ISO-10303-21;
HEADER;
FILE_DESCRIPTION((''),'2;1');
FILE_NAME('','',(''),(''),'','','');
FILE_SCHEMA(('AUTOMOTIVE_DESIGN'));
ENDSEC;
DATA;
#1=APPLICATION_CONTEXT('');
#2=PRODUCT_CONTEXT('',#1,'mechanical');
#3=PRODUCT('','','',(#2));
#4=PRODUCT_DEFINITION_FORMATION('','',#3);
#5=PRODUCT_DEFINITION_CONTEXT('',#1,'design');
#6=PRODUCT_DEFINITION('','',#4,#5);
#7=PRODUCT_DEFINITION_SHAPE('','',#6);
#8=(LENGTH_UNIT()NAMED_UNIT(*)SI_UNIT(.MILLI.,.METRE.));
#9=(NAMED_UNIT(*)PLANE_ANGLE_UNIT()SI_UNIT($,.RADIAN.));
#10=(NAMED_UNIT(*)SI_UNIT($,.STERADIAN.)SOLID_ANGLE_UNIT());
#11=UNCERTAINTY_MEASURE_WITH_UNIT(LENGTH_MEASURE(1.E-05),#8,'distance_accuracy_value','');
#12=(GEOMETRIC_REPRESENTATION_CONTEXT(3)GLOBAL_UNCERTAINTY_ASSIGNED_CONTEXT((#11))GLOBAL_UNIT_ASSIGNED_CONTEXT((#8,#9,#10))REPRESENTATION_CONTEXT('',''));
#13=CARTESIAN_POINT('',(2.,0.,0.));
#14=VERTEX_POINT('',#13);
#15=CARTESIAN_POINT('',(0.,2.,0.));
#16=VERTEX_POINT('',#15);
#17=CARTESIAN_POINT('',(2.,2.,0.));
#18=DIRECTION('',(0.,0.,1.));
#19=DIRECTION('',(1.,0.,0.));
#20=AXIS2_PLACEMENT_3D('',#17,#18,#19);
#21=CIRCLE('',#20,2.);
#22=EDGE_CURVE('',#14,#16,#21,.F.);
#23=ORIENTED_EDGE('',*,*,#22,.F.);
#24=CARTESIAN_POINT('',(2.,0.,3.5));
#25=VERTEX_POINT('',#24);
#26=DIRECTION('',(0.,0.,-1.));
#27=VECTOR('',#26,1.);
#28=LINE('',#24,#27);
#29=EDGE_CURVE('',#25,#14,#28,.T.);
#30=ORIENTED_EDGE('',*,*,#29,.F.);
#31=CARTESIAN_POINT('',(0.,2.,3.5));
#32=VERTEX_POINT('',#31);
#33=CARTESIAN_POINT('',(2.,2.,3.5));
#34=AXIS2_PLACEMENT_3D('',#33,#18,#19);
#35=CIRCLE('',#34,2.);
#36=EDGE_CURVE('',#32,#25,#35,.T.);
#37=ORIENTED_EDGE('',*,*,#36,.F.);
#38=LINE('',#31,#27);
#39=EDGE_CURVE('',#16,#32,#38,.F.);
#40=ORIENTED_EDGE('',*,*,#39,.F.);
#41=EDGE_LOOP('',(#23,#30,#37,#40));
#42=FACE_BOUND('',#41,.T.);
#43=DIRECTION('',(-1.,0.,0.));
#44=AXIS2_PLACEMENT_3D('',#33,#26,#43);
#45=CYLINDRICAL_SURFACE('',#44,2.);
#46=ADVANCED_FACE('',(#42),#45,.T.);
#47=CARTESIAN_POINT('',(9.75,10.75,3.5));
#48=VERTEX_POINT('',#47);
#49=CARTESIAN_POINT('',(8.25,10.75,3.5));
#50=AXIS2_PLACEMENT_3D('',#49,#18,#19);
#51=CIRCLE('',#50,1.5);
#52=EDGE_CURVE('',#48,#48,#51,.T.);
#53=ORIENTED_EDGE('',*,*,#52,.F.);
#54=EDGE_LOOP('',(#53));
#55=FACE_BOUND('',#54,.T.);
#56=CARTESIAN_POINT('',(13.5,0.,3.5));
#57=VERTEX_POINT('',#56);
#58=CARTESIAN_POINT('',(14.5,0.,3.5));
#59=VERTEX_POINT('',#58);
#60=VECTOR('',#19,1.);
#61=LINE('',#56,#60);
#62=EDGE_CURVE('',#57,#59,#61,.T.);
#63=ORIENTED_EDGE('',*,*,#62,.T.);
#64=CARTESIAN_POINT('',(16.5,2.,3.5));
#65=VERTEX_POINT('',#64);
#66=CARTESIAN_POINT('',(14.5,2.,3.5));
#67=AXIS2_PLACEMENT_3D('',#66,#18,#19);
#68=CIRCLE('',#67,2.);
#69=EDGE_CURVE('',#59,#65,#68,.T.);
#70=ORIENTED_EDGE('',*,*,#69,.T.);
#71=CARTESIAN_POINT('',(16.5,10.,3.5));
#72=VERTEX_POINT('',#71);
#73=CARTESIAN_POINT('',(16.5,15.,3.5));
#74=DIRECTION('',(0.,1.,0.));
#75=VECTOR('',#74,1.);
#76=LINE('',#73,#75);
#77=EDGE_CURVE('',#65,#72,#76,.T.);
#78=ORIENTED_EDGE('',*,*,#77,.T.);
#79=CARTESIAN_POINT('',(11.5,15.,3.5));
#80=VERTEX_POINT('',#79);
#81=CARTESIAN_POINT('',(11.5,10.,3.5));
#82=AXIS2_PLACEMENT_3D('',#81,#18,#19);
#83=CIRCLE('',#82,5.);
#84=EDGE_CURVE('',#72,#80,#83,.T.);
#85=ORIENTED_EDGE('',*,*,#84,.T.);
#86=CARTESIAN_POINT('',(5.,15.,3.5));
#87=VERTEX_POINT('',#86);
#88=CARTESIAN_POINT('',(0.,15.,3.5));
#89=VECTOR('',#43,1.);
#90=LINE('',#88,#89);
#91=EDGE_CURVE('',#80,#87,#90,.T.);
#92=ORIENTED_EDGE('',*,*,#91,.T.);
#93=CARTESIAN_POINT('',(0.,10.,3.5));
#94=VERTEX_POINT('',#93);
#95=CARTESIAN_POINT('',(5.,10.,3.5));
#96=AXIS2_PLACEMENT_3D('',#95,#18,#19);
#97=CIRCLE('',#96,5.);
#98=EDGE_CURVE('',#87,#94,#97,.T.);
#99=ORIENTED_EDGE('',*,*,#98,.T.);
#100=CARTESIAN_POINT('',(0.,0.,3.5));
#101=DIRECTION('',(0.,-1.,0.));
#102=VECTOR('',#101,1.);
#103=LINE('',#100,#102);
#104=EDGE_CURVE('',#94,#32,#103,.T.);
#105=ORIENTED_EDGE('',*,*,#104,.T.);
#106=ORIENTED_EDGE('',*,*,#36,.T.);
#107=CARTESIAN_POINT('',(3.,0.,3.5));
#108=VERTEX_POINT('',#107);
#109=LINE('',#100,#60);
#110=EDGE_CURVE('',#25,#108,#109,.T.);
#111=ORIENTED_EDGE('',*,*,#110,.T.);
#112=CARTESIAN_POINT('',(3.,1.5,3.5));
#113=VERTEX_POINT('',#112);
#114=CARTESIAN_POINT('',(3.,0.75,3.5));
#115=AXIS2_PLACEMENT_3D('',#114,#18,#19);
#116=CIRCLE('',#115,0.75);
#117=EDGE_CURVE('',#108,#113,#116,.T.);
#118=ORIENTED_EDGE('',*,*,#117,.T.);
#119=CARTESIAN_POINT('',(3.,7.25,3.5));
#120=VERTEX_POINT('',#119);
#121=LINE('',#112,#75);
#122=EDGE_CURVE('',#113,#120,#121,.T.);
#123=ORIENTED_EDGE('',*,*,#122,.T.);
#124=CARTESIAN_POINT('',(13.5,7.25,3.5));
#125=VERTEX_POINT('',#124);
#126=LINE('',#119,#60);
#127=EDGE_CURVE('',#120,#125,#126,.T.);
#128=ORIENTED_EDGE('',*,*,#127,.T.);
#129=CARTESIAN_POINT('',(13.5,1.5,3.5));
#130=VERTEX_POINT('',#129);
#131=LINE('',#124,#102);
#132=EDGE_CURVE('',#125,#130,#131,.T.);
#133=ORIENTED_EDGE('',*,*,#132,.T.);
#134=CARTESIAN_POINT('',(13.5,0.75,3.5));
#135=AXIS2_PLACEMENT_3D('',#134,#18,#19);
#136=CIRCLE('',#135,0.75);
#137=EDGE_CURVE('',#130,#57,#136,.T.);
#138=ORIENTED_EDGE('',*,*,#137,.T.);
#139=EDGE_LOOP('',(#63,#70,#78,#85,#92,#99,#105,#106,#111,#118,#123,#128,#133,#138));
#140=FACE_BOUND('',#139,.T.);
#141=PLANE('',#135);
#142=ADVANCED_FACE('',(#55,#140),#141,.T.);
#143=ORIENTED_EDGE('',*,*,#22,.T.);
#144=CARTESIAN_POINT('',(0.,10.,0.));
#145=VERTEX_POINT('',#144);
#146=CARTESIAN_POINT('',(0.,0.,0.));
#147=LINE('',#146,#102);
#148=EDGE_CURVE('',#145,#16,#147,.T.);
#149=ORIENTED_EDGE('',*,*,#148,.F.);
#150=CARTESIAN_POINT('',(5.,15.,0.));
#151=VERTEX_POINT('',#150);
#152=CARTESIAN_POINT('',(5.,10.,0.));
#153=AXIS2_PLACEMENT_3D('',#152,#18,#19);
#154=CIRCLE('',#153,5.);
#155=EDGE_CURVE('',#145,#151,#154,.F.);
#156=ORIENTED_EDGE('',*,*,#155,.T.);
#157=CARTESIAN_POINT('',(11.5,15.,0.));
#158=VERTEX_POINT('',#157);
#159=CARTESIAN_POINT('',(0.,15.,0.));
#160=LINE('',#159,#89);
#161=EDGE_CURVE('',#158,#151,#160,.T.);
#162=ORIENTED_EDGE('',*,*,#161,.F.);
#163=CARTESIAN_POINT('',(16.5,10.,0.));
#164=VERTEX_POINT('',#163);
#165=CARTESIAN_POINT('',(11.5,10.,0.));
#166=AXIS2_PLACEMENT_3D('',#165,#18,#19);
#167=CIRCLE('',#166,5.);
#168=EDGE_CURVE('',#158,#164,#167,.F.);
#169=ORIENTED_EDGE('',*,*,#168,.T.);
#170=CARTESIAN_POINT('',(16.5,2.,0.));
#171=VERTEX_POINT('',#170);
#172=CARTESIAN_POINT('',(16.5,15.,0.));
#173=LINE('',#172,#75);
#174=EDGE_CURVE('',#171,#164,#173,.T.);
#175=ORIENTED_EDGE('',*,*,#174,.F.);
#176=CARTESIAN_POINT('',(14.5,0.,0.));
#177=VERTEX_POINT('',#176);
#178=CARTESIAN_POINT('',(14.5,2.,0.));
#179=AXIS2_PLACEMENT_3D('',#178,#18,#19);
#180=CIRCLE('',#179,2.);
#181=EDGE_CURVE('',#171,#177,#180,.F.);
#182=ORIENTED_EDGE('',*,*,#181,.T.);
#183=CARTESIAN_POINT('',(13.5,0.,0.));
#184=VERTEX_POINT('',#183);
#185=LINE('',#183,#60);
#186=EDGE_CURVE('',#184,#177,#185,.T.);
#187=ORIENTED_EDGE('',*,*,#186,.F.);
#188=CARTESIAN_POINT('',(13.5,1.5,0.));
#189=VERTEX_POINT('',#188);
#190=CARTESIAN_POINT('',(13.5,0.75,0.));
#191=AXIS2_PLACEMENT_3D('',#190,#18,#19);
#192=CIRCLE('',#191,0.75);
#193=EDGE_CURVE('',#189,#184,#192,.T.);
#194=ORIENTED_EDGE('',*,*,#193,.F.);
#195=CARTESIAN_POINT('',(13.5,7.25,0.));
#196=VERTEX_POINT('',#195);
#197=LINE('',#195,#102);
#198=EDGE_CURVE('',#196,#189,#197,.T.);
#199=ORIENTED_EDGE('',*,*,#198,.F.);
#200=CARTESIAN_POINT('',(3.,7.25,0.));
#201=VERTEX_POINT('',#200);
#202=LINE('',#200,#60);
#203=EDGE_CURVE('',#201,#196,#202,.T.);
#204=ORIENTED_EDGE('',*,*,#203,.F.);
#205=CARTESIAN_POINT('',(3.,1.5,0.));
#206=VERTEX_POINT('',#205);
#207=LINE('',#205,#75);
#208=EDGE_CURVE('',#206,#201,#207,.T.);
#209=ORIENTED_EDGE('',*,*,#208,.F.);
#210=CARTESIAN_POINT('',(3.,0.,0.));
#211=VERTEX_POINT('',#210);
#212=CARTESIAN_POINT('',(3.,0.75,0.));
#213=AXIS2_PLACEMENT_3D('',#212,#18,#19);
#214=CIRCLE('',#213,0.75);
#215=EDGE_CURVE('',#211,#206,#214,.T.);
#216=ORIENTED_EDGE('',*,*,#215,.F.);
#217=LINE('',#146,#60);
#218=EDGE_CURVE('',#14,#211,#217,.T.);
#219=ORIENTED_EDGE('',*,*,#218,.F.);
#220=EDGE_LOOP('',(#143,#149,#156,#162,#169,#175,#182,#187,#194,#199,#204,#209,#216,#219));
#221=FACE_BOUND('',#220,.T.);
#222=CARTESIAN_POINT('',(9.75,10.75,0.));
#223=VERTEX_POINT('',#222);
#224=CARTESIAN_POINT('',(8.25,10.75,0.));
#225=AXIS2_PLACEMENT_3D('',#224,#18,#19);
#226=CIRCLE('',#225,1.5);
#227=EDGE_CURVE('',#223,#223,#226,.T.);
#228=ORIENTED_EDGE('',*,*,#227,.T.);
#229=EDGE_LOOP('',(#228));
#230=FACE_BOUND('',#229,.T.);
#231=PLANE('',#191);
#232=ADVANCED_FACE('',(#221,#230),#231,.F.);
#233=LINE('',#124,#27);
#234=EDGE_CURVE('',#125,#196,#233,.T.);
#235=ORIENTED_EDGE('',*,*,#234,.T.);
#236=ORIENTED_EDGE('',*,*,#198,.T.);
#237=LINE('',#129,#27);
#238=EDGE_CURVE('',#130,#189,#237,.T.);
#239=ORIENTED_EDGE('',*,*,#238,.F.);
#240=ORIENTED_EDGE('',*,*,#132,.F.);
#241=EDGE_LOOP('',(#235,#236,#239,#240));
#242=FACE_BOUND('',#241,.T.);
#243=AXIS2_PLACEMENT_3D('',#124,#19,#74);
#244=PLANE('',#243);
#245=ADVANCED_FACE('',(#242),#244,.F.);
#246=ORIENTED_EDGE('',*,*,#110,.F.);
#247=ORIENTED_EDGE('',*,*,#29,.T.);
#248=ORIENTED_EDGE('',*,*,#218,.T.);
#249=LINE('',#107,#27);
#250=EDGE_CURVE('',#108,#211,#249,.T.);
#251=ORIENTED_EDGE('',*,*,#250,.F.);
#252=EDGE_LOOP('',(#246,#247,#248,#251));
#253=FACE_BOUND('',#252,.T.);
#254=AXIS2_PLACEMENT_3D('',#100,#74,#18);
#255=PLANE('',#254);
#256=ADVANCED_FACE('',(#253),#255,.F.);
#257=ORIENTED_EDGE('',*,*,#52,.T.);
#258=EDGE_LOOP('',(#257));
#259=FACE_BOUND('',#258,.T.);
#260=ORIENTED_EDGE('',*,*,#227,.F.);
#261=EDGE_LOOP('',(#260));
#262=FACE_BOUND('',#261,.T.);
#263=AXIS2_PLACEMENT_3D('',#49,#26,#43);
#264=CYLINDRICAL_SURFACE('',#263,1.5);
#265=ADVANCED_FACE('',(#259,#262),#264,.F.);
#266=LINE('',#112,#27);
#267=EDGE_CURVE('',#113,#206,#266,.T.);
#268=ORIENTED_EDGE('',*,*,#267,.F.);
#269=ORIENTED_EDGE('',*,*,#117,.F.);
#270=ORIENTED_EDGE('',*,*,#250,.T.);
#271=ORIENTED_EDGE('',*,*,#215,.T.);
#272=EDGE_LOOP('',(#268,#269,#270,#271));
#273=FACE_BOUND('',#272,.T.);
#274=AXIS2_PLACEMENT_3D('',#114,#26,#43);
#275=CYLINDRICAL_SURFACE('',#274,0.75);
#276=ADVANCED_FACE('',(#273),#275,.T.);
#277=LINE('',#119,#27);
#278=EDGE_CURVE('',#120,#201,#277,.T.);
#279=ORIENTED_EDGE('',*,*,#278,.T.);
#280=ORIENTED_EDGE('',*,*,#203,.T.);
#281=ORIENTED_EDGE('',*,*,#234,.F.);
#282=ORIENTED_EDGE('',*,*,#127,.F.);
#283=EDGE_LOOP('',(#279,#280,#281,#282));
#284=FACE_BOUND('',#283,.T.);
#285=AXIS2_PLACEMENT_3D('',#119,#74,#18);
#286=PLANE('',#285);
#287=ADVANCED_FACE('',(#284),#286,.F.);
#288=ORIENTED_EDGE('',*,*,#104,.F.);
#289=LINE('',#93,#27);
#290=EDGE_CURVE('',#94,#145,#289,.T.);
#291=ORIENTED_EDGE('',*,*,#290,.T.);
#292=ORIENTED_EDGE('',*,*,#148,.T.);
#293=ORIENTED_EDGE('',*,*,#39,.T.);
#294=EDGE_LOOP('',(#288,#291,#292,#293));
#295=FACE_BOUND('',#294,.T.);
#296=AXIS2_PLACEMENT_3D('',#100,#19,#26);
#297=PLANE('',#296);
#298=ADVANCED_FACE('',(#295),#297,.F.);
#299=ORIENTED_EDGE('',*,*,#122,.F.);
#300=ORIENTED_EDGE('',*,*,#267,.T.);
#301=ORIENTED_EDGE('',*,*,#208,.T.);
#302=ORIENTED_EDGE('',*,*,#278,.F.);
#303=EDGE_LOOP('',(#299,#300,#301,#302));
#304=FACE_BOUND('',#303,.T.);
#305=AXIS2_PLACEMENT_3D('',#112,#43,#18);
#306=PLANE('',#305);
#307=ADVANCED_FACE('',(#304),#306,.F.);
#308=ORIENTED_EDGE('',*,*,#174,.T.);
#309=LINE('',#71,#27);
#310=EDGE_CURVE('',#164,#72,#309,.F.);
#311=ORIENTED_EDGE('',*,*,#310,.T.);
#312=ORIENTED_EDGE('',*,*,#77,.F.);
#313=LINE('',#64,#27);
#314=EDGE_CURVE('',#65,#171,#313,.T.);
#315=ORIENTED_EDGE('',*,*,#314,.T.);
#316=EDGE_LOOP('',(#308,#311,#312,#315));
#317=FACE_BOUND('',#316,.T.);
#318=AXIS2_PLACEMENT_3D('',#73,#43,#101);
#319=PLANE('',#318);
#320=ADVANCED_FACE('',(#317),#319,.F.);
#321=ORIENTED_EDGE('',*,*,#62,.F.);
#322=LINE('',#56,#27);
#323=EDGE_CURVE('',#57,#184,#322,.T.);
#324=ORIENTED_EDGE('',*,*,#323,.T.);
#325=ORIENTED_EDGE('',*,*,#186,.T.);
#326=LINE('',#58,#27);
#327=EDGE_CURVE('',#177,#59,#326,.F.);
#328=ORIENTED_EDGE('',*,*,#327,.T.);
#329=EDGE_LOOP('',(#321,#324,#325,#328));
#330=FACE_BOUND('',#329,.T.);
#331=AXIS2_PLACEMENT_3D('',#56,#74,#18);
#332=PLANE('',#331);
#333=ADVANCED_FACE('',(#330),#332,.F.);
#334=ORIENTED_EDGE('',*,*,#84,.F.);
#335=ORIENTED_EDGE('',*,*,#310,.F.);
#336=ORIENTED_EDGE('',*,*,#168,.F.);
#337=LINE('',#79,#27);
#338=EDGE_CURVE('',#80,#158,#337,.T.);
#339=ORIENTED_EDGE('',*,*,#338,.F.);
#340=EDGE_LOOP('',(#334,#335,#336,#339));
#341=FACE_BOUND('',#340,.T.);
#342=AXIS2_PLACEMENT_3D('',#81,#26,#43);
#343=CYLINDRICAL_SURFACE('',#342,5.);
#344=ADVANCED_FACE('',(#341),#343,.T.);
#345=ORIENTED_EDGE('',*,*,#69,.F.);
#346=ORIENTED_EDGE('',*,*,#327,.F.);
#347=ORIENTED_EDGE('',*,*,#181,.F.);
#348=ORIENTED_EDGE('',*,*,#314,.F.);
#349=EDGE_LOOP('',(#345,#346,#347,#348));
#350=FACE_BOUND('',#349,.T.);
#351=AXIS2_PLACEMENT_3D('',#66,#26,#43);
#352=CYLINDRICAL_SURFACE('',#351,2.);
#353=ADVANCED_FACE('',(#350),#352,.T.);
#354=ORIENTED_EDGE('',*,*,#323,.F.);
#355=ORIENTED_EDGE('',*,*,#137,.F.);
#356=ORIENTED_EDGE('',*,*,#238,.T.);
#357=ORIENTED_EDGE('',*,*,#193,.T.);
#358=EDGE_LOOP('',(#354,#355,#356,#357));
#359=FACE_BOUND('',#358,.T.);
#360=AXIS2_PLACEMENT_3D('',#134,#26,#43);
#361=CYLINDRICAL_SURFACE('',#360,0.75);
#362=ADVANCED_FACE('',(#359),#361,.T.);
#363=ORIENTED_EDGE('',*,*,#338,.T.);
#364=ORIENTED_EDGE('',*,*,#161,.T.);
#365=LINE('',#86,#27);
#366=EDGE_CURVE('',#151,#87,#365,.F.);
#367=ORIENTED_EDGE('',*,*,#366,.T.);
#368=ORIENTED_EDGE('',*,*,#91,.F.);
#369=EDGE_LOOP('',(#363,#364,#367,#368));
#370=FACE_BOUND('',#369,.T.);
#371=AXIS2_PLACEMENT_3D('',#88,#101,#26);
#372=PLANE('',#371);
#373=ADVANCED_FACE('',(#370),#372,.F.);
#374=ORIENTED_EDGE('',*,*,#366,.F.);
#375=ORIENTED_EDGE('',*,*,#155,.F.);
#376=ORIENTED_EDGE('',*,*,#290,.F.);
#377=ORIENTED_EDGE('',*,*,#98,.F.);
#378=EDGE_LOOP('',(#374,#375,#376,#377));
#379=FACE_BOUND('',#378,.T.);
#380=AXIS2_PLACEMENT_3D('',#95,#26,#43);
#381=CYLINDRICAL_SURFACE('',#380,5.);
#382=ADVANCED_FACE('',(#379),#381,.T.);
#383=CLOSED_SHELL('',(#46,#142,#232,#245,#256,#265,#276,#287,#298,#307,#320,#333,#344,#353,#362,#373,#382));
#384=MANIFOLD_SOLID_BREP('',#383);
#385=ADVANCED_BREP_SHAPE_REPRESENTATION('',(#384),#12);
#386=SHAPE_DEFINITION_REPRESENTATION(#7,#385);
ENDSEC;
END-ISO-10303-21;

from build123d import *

# Parameters (mm, degrees)
SKETCH1_R           = 1.5
BOSS_EXTRUDE1_DEPTH = 3.5
FILLET1_R           = 2
FILLET2_R           = 5


with BuildPart() as part:
    # Sketch1 → Boss-Extrude1 (new body)
    with BuildSketch(Plane.XY):
        with BuildLine():
            Line((0, 15), (16.5, 15))
            Line((16.5, 15), (16.5, 0))
            Line((16.5, 0), (13.5, 0))
            ThreePointArc((13.5, 0), (12.75, 0.75), (13.5, 1.5))
            Line((13.5, 1.5), (13.5, 7.25))
            Line((13.5, 7.25), (3, 7.25))
            Line((3, 7.25), (3, 1.5))
            ThreePointArc((3, 1.5), (3.75, 0.75), (3, 0))
            Line((3, 0), (0, 0))
            Line((0, 0), (0, 15))
        make_face()
        with Locations((8.25, 10.75)):
            Circle(SKETCH1_R, mode=Mode.SUBTRACT)
    extrude(amount=BOSS_EXTRUDE1_DEPTH)

    # Fillet1
    fillet1_edges = [part.edges().sort_by_distance(p)[0] for p in [
        (16.5, 0, 1.75),
        (0, 0, 1.75),
    ]]
    fillet(fillet1_edges, radius=FILLET1_R)

    # Fillet2
    fillet2_edges = [part.edges().sort_by_distance(p)[0] for p in [
        (0, 15, 1.75),
        (16.5, 15, 1.75),
    ]]
    fillet(fillet2_edges, radius=FILLET2_R)


solid = part.part
